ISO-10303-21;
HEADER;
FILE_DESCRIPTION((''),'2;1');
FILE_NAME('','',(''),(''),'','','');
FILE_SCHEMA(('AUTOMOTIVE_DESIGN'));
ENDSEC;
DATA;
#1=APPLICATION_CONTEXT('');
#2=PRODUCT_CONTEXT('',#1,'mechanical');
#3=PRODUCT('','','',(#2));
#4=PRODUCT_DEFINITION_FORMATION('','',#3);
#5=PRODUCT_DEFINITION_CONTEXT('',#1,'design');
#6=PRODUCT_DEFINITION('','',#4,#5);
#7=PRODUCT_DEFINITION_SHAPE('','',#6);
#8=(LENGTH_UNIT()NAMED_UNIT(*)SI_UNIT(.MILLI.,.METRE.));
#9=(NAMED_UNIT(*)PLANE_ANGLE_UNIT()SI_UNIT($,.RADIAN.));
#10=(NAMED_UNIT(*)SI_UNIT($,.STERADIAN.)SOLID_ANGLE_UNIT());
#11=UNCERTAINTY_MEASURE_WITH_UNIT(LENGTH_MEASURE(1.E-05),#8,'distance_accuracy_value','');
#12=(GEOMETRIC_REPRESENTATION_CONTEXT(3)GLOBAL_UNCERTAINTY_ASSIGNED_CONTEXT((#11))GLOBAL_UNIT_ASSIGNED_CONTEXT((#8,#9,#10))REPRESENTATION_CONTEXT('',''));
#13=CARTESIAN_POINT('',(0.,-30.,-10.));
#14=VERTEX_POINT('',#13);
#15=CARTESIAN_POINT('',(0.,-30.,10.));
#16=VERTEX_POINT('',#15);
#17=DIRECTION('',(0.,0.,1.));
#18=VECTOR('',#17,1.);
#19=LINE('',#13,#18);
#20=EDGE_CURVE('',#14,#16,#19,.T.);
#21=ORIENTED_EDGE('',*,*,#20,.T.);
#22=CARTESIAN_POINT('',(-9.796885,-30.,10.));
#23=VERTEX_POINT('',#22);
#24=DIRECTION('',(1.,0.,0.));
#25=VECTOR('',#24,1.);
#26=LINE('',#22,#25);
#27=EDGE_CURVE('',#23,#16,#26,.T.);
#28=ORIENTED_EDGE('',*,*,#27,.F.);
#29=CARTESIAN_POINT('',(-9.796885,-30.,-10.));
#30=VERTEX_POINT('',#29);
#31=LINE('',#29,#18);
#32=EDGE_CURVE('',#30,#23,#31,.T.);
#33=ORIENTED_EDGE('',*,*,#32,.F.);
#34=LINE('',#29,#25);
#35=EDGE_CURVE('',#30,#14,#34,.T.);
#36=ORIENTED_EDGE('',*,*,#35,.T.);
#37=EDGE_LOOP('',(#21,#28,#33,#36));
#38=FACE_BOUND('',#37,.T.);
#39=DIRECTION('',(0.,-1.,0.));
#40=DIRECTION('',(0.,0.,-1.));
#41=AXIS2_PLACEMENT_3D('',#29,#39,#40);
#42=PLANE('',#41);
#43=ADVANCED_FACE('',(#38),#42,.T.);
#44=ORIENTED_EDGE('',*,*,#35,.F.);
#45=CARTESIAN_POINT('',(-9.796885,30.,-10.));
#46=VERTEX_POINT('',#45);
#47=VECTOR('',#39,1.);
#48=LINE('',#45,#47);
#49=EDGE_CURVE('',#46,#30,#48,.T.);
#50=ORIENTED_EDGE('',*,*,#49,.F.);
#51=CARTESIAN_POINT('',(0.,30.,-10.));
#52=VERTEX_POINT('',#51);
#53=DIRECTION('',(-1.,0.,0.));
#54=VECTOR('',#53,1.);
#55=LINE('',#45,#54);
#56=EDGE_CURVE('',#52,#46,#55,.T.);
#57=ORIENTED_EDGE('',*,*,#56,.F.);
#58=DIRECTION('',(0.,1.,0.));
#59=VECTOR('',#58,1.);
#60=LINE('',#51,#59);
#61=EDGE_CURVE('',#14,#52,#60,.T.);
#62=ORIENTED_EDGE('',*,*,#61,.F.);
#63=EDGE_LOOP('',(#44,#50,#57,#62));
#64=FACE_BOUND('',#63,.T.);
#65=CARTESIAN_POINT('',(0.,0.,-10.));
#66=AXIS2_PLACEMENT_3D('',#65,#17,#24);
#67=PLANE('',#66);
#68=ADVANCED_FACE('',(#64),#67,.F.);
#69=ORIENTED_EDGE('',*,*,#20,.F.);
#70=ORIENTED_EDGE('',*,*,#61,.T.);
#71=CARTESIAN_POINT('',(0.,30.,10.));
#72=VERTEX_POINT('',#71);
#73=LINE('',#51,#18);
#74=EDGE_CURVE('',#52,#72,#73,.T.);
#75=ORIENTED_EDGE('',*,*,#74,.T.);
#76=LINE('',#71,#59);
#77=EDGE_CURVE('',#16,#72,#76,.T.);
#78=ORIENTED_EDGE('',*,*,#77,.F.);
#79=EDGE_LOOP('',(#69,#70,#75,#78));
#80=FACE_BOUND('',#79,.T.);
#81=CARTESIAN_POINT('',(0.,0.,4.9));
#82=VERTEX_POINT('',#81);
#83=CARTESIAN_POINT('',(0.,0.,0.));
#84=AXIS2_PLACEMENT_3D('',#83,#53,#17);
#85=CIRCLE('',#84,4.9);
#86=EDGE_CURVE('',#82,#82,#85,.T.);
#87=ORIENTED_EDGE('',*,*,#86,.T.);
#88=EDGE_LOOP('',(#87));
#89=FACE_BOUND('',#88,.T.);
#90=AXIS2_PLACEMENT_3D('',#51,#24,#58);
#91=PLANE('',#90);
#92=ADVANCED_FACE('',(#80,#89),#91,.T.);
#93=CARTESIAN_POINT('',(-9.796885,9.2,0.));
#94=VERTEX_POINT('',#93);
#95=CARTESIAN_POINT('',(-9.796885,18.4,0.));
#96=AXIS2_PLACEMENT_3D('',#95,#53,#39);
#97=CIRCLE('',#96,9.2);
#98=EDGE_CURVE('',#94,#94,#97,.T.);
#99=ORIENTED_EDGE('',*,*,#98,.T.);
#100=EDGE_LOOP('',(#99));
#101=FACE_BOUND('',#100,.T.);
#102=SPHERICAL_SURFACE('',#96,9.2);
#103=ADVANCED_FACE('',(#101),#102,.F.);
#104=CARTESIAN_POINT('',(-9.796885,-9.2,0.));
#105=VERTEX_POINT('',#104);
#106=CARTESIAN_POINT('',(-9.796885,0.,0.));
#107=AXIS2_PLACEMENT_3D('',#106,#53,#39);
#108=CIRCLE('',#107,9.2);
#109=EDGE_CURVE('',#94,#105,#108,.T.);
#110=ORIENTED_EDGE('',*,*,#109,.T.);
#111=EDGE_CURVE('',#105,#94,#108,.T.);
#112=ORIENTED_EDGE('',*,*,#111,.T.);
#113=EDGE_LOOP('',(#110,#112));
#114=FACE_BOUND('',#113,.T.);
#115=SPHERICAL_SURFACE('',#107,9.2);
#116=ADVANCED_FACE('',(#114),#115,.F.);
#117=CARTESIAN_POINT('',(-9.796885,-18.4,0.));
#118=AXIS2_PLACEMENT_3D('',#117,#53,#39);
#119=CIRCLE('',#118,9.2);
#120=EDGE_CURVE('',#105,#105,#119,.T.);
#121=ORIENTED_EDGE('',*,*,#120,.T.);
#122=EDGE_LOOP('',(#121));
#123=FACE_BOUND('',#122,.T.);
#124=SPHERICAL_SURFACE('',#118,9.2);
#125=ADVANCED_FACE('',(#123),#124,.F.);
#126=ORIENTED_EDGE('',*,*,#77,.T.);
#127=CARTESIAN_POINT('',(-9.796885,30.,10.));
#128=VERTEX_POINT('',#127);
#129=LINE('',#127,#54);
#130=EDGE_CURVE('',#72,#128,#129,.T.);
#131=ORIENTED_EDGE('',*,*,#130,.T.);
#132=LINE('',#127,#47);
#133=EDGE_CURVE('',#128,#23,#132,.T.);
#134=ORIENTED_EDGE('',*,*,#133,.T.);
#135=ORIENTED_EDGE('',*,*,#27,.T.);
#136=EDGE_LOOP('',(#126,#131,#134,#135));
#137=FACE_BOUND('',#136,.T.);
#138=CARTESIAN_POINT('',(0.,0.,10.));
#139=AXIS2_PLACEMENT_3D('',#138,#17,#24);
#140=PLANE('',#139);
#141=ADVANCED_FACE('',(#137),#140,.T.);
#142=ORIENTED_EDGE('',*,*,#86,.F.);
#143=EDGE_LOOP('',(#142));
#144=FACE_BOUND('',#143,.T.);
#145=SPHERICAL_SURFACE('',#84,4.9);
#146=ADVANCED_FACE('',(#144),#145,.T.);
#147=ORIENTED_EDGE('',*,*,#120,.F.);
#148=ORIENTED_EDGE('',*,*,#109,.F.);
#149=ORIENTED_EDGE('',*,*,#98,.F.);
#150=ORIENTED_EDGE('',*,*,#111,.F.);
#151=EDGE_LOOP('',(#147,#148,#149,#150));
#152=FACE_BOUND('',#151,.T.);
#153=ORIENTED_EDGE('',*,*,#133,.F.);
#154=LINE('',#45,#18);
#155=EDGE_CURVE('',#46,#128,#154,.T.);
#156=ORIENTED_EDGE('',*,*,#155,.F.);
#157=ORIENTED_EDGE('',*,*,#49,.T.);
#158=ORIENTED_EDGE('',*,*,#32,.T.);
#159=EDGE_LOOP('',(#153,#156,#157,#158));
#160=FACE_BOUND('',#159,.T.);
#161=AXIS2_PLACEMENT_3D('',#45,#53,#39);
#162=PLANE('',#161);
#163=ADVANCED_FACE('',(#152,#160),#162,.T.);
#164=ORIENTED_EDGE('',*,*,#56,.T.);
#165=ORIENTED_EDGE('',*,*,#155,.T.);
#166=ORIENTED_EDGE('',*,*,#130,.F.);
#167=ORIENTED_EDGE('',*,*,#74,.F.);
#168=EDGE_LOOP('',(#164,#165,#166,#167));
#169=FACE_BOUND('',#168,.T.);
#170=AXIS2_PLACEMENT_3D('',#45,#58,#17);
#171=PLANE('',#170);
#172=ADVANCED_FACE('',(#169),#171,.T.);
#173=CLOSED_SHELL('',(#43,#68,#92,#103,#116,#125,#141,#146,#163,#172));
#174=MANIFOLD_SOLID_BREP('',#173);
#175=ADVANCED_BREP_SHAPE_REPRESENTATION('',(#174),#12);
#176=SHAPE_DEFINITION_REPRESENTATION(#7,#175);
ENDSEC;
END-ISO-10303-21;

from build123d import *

# Parameters (mm, degrees)
REVOLVE_1_ANGLE            = 180
EXTRUDE_1_DEPTH            = 10
EXTRUDE_1_DEPTH_BACK       = 10
SKETCH_5_W                 = 9.796885282
SKETCH_5_H                 = 60
PATTERN_LINEAR_1_COUNT     = 2
PATTERN_LINEAR_1_PITCH     = 18.4
PATTERN_LINEAR_1_COL_COUNT = 2
PATTERN_LINEAR_1_COL_PITCH = 18.4


with BuildPart() as part:
    # 草图1 → 旋转1 (revolve)
    with BuildSketch(Plane(origin=(0, 0, 0), x_dir=(0, 0, -1), z_dir=(1, 0, 0))):
        with BuildLine():
            Line((0, 4.9), (0, -4.9))
            ThreePointArc((0, -4.9), (4.9, 0), (0, 4.9))
        make_face()
    revolve(axis=Axis((0, 4.9, 0), (0, -1, 0)), revolution_arc=REVOLVE_1_ANGLE)

    # 草图5 → 凸台-拉伸1 (add, two sides: drawn at the far end of the back side and taken through both)
    with BuildSketch(Plane.XY.offset(-EXTRUDE_1_DEPTH_BACK)):
        with Locations((-4.898442641, 0)):
            Rectangle(SKETCH_5_W, SKETCH_5_H)
    extrude(amount=EXTRUDE_1_DEPTH + EXTRUDE_1_DEPTH_BACK)

    # 草图7 → 切除-旋转1 (revolve, cut)
    with BuildSketch(Plane.XY):
        with BuildLine():
            Line((-9.796885282, 9.2), (-9.796885282, -9.2))
            ThreePointArc((-9.796885282, -9.2), (-18.996885282, 0), (-9.796885282, 9.2))
        make_face()
    cut_revolve_1 = revolve(axis=Axis((-9.796885282, 9.2, 0), (0, -1, 0)), mode=Mode.SUBTRACT)

    # 阵列(线性)1: 切除-旋转1 ×2
    with Locations(*[(0, i * PATTERN_LINEAR_1_PITCH, 0) for i in range(1, PATTERN_LINEAR_1_COUNT)]):
        add(cut_revolve_1, mode=Mode.SUBTRACT)

    # 阵列(线性)1 col: 切除-旋转1 ×2
    with Locations(*[(0, -i * PATTERN_LINEAR_1_COL_PITCH, 0) for i in range(1, PATTERN_LINEAR_1_COL_COUNT)]):
        add(cut_revolve_1, mode=Mode.SUBTRACT)


solid = part.part
